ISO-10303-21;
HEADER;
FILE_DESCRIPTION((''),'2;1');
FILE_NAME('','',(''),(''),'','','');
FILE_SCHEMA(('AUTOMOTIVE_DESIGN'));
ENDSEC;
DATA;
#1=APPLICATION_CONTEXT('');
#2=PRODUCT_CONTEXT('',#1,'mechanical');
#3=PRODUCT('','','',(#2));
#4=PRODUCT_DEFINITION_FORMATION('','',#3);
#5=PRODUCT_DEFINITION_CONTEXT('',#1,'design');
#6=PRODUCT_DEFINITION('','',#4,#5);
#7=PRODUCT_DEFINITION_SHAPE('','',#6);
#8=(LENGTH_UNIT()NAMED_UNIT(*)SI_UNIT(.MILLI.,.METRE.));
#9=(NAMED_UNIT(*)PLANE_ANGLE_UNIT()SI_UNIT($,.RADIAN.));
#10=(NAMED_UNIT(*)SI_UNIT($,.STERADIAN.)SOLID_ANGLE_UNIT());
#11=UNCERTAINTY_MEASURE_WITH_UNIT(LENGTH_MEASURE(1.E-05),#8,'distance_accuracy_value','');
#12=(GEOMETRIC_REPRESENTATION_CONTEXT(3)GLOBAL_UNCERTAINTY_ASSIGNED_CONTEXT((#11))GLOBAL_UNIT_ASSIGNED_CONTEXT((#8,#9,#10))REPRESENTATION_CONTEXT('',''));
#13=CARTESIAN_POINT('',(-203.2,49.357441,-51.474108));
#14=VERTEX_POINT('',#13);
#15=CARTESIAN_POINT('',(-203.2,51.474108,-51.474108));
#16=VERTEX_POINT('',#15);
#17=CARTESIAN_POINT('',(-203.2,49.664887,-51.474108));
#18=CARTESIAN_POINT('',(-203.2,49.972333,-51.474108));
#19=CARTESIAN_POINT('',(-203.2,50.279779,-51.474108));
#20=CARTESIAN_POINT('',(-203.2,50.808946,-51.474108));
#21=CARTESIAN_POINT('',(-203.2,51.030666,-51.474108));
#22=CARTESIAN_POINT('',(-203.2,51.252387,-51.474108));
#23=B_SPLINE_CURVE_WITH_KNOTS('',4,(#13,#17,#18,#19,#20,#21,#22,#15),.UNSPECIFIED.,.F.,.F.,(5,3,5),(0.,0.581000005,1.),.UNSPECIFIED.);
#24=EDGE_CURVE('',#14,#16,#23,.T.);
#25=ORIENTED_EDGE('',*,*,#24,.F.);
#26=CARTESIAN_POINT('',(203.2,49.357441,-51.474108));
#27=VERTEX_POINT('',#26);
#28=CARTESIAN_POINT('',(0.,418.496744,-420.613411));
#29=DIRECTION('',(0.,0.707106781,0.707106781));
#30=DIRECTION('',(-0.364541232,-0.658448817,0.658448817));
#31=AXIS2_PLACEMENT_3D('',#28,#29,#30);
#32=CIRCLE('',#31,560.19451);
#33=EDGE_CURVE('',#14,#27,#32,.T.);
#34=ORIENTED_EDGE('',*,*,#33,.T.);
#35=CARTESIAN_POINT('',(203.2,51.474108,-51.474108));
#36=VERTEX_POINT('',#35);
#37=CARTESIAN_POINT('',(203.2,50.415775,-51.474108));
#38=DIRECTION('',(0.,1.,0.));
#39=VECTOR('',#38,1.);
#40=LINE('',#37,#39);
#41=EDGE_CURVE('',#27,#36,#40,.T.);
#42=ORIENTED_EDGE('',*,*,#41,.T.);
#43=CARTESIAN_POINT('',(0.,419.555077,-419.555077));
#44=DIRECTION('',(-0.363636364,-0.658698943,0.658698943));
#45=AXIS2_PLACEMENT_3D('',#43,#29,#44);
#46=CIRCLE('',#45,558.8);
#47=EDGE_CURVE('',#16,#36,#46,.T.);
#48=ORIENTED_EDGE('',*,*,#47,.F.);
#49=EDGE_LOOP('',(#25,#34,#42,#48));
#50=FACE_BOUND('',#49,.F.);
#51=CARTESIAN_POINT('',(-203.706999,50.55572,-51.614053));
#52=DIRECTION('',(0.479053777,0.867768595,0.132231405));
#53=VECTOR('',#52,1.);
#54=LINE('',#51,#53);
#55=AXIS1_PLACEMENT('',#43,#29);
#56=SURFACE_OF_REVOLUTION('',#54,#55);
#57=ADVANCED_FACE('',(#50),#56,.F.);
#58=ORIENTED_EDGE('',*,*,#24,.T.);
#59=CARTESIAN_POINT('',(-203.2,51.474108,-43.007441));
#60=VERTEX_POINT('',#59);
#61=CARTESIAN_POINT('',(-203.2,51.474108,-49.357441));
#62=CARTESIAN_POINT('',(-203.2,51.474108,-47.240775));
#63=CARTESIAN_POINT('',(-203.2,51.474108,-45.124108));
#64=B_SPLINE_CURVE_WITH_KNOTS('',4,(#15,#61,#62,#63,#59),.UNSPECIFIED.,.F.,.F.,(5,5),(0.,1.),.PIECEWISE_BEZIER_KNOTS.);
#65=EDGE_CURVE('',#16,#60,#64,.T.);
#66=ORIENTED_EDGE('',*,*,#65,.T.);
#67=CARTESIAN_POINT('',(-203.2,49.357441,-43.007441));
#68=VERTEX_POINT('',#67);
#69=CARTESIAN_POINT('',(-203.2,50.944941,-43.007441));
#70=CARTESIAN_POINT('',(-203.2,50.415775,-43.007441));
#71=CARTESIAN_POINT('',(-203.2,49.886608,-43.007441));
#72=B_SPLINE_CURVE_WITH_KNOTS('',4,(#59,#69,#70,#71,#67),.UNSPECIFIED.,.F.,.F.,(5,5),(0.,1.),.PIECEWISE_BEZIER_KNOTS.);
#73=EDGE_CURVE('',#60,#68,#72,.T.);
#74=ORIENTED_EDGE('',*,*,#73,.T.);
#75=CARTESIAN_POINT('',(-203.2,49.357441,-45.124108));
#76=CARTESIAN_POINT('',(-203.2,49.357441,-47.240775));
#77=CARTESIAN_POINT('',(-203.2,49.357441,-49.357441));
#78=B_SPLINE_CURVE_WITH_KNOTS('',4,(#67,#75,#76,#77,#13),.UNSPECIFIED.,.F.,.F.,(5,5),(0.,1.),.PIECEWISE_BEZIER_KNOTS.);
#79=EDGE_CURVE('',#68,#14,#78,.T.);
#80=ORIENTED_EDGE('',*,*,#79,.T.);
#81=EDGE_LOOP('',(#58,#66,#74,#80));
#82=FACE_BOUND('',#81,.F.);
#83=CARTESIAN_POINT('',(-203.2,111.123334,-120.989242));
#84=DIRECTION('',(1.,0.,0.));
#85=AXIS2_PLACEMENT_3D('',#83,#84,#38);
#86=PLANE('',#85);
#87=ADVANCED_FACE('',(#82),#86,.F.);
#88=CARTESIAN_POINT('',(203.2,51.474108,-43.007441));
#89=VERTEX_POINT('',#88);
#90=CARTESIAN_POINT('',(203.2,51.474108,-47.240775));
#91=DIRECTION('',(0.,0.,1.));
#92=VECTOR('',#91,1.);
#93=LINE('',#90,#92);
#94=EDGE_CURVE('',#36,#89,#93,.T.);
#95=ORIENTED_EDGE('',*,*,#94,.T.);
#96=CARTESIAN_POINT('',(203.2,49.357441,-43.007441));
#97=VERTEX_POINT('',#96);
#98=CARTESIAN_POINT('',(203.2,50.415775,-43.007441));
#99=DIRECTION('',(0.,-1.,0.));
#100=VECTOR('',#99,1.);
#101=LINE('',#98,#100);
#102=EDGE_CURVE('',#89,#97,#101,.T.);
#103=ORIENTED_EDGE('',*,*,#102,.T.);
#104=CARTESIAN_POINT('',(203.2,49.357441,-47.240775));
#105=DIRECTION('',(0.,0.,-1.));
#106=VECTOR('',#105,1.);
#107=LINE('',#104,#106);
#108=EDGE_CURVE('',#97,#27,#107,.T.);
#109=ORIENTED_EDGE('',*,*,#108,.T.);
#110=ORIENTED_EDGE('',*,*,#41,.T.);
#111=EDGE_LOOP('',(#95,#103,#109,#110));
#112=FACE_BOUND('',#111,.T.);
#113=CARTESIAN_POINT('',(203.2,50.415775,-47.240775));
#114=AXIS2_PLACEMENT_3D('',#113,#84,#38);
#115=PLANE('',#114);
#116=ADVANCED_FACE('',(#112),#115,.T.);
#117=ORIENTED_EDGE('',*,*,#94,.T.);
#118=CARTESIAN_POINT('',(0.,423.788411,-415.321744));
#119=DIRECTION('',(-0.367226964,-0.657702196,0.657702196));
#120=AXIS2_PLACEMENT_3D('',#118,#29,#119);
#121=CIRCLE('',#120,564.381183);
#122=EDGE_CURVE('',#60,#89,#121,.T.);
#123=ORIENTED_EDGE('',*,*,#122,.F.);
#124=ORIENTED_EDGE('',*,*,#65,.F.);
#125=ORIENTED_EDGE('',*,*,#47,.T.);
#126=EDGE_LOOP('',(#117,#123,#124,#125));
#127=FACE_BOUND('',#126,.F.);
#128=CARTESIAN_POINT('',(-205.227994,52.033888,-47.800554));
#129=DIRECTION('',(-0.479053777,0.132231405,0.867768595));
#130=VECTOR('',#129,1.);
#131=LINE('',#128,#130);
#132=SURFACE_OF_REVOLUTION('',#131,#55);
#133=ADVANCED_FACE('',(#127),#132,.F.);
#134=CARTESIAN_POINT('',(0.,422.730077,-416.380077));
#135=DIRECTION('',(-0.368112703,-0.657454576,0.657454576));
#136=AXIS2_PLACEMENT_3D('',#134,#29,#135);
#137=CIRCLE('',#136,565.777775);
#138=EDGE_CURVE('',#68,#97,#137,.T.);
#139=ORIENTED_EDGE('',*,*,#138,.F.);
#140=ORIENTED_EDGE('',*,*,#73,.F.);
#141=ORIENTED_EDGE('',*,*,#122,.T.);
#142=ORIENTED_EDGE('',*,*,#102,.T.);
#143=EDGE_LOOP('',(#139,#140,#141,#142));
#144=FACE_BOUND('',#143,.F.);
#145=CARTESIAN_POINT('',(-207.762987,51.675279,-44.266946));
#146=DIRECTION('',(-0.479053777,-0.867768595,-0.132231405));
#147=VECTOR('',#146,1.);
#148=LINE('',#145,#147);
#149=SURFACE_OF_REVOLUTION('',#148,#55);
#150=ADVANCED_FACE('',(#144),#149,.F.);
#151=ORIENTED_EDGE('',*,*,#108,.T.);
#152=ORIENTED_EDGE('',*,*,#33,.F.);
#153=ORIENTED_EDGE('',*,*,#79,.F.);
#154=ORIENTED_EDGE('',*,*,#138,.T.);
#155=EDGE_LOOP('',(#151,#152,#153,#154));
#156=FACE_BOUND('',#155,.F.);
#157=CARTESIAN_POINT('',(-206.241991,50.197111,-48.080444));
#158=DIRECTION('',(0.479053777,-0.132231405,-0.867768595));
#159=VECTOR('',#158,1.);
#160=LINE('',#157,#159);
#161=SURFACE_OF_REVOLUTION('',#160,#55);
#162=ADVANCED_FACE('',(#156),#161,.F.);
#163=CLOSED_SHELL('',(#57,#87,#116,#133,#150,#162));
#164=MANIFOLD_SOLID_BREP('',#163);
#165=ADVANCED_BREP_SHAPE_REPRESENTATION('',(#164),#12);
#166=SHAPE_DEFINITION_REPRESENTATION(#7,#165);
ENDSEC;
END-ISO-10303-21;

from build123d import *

# Parameters (mm, degrees)
F3_W     = 2.1166666667
F3_H     = 8.4666666667
F5_W     = 511.3508841764
F5_H     = 466.1341470838
F7_DEPTH = 5.0709858038


with BuildPart() as f6:
    # F6: sweep along a path in F1
    with BuildLine(Plane(origin=(0, 0, 0), x_dir=(-1, 0, 0), z_dir=(0, 0.7071067812, 0.7071067812))) as f6_path:
        ThreePointArc((203.2, -72.7953817725), (0, -34.5404806832), (-203.2, -72.7953817725))
    # F3 (on offset) → F6 (sweep)
    with BuildSketch(Plane.YZ.offset(203.2)):
        with Locations((50.4157747571, -47.2407747571)):
            Rectangle(F3_W, F3_H)
    sweep(path=f6_path.line)

    # F5 (on offset) → F7 (cut, through all)
    with BuildSketch(Plane.YZ.offset(-203.2)):
        with Locations((111.1233336304, -120.9892424027)):
            Rectangle(F5_W, F5_H)
    extrude(amount=-F7_DEPTH, mode=Mode.SUBTRACT)


solid = f6.part
